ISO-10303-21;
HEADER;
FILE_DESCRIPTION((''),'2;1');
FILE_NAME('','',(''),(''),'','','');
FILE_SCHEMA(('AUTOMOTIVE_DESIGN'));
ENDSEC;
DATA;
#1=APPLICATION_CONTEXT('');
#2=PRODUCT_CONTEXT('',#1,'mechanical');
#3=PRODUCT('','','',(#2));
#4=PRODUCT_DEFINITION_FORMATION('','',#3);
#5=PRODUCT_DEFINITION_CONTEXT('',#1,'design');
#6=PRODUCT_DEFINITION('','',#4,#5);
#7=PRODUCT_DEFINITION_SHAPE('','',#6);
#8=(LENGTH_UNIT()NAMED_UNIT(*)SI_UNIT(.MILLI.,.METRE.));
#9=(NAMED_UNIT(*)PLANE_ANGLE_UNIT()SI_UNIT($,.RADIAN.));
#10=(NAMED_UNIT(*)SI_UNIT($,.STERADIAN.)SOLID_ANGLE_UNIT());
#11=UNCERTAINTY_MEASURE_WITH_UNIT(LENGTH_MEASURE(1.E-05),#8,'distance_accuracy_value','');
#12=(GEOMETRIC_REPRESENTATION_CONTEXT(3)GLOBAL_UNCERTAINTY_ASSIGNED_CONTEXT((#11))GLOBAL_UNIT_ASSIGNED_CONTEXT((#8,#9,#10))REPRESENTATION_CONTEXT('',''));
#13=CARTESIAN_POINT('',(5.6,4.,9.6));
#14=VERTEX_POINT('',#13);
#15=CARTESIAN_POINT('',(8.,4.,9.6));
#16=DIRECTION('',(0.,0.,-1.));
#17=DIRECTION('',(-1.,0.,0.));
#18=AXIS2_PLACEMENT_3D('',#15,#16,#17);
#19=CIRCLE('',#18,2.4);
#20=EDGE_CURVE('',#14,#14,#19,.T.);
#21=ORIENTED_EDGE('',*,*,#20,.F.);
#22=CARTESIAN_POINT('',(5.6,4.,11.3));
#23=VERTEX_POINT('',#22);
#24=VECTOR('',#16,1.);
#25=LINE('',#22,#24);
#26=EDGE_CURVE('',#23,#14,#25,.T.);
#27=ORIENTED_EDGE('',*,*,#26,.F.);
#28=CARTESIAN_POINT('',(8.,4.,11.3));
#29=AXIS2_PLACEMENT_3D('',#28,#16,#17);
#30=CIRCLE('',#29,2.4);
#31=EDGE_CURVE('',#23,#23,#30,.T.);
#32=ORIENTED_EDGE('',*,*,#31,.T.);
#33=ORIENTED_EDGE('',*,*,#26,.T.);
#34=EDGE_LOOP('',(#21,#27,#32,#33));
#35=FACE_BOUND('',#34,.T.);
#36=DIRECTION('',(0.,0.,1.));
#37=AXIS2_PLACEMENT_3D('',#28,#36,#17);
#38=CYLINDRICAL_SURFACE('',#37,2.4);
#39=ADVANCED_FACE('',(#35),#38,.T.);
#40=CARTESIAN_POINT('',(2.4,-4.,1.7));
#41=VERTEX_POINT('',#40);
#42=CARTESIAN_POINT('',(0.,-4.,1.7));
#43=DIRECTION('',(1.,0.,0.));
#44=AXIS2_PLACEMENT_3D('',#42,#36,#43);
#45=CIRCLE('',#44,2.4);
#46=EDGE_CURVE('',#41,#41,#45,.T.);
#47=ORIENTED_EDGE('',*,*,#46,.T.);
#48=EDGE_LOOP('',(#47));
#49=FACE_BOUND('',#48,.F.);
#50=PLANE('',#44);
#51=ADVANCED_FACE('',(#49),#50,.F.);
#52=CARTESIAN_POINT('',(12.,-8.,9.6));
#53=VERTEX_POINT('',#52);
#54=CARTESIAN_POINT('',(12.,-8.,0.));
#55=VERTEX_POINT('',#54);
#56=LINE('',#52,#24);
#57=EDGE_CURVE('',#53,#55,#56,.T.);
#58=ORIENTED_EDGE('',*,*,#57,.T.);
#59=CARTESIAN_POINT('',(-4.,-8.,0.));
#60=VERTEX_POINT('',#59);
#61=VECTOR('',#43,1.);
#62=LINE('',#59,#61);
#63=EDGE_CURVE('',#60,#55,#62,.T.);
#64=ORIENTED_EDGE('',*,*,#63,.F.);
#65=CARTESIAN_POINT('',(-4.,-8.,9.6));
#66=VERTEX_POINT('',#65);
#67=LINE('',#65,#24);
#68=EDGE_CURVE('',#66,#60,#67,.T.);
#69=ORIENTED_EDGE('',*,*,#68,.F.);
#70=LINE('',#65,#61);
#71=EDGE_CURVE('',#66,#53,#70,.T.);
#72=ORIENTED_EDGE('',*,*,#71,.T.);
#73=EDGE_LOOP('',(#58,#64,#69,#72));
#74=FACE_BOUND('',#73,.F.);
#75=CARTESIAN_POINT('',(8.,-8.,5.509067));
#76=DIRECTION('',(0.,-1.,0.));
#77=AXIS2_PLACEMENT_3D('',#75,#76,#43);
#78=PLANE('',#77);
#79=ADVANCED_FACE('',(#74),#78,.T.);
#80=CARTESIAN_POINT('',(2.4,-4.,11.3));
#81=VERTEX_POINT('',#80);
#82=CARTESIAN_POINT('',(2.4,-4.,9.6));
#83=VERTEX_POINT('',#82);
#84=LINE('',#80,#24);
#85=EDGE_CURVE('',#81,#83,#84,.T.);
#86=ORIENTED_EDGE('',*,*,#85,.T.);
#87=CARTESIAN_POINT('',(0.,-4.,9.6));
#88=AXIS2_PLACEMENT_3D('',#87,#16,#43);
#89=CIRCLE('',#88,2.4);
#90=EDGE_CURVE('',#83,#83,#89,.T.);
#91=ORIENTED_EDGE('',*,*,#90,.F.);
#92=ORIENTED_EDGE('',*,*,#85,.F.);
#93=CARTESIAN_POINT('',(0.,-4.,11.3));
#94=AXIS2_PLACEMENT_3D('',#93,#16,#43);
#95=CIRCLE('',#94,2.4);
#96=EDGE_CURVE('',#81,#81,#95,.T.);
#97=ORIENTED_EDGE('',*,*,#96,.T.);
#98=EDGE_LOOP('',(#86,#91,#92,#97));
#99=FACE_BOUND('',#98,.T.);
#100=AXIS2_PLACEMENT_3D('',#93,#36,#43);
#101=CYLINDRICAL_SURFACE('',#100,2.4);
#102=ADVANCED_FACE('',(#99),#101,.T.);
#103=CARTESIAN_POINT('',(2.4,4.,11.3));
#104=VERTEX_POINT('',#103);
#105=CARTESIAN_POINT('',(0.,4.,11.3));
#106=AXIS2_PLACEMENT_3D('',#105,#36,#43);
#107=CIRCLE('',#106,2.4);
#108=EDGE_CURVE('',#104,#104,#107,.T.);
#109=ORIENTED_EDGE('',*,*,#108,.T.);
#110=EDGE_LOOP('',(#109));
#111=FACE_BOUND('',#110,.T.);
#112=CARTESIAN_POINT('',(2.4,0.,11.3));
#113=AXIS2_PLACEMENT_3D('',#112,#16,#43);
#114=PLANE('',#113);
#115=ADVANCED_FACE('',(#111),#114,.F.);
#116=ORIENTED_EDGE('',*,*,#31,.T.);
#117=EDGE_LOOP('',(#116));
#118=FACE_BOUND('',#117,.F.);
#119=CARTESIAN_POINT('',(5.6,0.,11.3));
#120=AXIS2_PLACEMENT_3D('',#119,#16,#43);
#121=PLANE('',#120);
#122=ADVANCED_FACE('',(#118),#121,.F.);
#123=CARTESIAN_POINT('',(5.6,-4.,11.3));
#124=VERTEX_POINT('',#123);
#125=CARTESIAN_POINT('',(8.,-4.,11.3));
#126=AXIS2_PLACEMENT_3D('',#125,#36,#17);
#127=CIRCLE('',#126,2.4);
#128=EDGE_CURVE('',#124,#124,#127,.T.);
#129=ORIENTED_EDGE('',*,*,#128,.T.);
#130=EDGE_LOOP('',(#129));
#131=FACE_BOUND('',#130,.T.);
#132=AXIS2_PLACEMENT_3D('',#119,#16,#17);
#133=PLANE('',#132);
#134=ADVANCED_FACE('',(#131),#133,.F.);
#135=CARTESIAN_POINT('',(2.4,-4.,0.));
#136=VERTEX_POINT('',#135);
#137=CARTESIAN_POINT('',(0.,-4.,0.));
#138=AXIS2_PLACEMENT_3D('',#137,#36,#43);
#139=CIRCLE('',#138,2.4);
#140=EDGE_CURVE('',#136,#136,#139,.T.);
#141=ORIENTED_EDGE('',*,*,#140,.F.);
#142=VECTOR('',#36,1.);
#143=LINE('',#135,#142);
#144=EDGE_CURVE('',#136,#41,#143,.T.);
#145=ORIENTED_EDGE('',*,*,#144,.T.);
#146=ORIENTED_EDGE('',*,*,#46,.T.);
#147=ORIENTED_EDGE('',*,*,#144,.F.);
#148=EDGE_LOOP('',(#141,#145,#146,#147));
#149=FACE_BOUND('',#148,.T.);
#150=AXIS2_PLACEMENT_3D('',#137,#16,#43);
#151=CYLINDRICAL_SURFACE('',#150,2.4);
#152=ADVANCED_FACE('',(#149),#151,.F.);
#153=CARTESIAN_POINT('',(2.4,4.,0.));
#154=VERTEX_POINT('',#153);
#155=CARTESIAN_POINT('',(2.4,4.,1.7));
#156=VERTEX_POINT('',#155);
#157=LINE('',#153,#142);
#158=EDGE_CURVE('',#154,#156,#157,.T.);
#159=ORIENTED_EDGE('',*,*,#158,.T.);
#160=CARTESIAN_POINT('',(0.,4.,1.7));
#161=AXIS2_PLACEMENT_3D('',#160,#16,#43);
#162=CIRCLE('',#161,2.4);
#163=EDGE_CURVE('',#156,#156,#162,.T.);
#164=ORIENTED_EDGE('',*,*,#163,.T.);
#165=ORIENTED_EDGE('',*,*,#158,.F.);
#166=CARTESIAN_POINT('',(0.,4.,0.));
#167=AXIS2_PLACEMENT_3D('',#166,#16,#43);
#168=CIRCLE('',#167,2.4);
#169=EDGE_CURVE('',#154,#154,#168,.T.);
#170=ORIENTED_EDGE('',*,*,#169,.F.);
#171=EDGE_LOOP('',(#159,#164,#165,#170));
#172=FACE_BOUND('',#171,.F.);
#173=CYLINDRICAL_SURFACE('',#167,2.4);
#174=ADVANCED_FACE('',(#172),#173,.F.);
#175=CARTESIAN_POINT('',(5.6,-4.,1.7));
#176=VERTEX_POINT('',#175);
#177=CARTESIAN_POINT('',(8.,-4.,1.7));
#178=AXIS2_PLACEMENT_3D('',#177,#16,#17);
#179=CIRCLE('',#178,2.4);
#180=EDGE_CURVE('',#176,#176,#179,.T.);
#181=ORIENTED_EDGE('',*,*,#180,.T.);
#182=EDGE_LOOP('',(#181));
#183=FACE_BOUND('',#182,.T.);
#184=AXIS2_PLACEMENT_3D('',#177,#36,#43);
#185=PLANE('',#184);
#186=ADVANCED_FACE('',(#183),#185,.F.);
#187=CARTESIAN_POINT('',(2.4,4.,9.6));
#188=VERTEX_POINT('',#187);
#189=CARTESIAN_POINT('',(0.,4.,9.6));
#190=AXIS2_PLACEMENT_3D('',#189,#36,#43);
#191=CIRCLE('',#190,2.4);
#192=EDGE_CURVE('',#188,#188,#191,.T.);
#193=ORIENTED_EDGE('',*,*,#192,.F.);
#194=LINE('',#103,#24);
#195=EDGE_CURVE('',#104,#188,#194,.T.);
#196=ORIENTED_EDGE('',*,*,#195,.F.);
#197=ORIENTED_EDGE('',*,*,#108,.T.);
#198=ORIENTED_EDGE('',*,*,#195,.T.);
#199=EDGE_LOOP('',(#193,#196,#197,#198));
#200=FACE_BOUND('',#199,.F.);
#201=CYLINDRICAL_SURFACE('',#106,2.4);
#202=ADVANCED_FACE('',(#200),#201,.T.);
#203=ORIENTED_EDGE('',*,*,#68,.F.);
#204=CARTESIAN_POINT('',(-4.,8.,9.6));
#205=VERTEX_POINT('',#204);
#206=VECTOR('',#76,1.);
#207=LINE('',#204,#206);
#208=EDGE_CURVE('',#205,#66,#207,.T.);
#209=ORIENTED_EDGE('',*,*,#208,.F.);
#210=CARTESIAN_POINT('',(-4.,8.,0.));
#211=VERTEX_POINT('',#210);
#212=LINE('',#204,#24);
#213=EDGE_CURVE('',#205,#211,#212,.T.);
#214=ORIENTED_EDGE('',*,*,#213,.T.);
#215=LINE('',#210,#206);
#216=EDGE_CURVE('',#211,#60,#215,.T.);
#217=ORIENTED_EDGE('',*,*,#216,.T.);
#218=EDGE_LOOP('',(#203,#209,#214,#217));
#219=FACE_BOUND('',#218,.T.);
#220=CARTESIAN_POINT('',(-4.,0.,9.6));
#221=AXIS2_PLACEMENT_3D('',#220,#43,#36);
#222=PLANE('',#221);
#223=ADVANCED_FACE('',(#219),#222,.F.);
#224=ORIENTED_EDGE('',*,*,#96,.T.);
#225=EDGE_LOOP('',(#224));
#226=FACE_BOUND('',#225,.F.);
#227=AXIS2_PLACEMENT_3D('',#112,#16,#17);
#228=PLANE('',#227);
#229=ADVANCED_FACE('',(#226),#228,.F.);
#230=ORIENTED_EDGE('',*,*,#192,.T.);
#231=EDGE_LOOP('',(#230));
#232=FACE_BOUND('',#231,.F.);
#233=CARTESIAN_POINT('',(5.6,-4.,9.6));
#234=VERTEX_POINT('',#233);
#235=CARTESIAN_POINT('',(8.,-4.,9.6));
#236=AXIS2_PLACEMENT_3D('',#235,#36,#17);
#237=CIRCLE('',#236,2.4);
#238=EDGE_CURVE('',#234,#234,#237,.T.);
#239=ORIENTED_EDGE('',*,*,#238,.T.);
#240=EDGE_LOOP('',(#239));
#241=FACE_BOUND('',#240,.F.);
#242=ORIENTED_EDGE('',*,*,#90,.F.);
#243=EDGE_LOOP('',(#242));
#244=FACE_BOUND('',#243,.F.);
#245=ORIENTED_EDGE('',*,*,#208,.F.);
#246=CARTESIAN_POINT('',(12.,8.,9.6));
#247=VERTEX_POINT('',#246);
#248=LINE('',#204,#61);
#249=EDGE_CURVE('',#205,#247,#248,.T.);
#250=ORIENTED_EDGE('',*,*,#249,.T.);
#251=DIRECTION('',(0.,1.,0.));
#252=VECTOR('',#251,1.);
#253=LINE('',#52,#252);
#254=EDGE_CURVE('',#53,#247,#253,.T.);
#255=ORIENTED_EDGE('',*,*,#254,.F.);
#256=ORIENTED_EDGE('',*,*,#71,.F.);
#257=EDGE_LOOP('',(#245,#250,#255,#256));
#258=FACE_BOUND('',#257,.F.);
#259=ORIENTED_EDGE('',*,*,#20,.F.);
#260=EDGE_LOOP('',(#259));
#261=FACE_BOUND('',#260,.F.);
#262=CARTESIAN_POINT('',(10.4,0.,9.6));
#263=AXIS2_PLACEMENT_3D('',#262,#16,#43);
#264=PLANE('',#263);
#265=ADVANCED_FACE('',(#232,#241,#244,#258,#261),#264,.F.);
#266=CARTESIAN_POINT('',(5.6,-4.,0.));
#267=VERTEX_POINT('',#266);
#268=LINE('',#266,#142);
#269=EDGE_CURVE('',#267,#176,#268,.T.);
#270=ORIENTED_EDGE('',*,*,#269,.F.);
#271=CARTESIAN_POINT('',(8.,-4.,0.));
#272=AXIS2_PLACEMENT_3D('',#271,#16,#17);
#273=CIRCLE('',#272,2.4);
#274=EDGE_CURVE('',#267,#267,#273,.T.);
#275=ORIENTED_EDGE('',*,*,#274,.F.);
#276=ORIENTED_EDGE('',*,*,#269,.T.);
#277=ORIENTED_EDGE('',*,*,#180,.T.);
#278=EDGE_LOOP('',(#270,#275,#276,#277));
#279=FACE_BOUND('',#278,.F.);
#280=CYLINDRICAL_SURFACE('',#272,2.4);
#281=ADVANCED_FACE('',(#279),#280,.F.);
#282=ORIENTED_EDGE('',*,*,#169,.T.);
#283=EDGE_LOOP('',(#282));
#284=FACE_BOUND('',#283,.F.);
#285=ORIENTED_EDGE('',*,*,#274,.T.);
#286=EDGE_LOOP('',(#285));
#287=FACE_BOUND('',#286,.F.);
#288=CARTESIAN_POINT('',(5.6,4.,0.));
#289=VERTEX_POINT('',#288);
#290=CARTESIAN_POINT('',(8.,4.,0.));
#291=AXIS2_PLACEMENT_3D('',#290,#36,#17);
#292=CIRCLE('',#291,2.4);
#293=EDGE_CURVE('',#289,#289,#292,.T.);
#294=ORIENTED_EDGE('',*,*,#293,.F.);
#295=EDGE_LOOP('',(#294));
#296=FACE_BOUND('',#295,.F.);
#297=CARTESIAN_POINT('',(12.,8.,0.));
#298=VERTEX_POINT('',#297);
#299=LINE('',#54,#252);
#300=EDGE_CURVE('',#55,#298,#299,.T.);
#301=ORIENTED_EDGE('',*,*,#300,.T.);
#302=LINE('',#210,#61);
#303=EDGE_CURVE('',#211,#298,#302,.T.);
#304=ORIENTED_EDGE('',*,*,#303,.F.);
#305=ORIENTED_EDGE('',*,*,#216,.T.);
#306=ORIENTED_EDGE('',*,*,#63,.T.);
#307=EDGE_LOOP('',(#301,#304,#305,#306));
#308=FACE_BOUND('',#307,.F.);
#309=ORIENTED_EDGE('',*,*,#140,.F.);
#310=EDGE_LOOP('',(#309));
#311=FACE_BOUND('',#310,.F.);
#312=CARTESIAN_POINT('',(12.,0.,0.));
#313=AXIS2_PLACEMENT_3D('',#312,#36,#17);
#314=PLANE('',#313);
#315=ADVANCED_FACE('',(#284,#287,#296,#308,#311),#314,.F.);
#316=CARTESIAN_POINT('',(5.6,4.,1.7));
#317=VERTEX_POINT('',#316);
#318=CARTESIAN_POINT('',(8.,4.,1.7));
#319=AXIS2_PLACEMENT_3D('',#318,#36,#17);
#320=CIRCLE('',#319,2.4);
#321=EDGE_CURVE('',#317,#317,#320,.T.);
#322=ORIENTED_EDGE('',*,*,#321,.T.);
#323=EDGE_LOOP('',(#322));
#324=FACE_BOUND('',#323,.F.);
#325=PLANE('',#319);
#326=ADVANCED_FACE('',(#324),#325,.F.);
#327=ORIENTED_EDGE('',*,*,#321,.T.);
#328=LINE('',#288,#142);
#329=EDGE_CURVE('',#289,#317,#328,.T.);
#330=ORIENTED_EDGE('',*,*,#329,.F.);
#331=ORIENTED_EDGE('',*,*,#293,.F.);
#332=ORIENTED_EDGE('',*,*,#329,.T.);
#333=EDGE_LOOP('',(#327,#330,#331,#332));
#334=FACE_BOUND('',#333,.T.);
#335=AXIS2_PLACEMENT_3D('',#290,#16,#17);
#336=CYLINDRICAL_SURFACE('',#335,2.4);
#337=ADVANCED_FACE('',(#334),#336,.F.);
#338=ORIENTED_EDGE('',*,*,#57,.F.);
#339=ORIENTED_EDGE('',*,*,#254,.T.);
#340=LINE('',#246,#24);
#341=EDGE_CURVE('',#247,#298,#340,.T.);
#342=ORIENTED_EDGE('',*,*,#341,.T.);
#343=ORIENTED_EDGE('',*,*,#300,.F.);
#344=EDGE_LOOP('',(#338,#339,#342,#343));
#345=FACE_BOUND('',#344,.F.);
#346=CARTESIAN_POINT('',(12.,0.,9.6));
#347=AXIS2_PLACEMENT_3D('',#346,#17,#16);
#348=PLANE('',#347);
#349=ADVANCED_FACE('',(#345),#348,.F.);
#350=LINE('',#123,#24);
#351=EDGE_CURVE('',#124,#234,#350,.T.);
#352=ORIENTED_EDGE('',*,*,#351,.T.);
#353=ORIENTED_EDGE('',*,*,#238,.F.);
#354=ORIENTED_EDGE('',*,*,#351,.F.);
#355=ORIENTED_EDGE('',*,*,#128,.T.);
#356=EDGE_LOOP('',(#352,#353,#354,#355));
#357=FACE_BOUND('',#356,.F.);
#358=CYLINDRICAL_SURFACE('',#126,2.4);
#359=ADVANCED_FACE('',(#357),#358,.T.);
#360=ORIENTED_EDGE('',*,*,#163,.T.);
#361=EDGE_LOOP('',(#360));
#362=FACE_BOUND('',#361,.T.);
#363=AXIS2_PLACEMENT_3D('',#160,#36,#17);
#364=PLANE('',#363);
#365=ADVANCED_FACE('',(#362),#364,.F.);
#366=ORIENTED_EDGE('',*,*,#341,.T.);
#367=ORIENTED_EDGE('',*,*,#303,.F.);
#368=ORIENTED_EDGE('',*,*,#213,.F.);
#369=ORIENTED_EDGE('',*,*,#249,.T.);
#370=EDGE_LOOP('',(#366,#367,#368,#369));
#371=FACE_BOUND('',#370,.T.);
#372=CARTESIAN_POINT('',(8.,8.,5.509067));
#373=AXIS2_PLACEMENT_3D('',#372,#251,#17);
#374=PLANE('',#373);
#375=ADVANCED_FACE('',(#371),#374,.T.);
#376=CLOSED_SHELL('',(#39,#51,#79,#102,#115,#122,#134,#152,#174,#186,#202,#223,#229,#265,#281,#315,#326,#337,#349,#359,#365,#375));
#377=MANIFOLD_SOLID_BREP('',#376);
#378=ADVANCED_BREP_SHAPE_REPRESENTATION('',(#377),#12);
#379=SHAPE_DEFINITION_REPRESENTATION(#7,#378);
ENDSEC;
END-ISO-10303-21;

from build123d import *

# Parameters (mm, degrees)
F1_DEPTH = 8
F3_W     = 8
F3_H     = 8
F3_R     = 2.4
F4_DEPTH = 1.7
F5_R     = 2.4
F6_DEPTH = 1.7


with BuildPart() as f1:
    # F0 (on Front) → F1 (new body)
    with BuildSketch(Plane.XZ):
        Polygon((-2.4, 9.6), (-4, 9.6), (-4, 0), (4, 0), (4, 9.6), (2.4, 9.6), (2.4, 11.3), (-2.4, 11.3), align=None)
    extrude(amount=F1_DEPTH)

    # F3 (on plane+point) → F4 (cut, through all)
    with BuildSketch(Plane.XY.offset(11.3)):
        with Locations((0, -4)):
            Rectangle(F3_W, F3_H)
        with Locations((0, -4)):
            Circle(F3_R, mode=Mode.SUBTRACT)
    extrude(amount=-F4_DEPTH, mode=Mode.SUBTRACT)

    # F5 (on Top) → F6 (cut)
    with BuildSketch(Plane.XY):
        with Locations((0, -4)):
            Circle(F5_R)
    extrude(amount=F6_DEPTH, mode=Mode.SUBTRACT)

    # F8: F1 across plane


with BuildPart() as f1_1:
    add(f1.part)
    add(f1.part.mirror(Plane.YZ.offset(4)))

    # F9: F1 across plane


with BuildPart() as f1_2:
    add(f1_1.part)
    add(f1_1.part.mirror(Plane.XZ))


solid = f1_2.part
